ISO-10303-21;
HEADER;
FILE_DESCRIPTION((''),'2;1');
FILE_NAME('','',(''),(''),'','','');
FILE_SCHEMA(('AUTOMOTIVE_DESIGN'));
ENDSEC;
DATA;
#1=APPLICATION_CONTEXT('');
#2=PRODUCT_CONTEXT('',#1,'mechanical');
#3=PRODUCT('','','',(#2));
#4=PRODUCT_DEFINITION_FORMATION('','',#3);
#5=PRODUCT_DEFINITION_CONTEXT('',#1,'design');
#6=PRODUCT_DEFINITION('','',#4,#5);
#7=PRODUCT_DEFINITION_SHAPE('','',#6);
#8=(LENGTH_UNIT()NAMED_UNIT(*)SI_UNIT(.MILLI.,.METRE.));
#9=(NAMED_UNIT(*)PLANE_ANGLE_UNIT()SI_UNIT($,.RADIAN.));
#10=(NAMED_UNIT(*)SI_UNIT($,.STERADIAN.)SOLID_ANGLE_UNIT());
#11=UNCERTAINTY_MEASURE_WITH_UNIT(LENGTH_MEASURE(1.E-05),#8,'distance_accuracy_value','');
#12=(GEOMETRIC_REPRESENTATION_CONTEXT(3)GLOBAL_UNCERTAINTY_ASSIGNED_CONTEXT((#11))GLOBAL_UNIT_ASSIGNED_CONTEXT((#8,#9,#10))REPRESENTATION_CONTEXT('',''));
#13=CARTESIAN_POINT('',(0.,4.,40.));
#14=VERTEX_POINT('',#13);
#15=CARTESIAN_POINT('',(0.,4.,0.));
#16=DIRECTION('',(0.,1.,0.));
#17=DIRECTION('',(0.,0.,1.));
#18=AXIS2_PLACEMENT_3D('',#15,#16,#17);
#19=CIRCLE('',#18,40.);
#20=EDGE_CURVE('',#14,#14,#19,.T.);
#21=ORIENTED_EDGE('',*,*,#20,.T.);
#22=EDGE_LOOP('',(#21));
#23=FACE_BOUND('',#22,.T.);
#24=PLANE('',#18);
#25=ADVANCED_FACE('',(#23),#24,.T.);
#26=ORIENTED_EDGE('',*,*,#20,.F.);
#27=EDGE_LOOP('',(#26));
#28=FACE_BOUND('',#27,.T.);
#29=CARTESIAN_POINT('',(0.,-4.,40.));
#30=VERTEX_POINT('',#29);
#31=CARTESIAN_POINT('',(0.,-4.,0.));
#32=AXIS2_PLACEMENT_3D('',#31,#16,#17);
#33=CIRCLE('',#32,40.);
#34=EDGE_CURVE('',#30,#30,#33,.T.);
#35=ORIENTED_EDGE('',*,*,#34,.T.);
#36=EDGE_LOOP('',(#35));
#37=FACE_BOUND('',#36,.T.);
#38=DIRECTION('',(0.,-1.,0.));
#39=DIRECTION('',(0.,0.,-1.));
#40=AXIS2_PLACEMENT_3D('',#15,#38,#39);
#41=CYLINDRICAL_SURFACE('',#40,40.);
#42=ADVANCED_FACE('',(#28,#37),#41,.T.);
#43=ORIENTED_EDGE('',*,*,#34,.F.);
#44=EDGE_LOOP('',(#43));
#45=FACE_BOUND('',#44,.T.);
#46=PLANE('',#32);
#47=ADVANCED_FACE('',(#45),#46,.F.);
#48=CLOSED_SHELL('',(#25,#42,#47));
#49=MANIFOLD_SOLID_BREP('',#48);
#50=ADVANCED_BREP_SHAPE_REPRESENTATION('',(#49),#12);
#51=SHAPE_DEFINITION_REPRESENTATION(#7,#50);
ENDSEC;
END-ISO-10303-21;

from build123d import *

# Parameters (mm, degrees)
SKETCH1_R           = 40
BOSS_EXTRUDE1_DEPTH = 4


with BuildPart() as part:
    # Sketch1 → Boss-Extrude1 (new body, symmetric)
    with BuildSketch(Plane(origin=(0, 0, 0), x_dir=(1, 0, 0), z_dir=(0, 1, 0))):
        Circle(SKETCH1_R)
    extrude(amount=BOSS_EXTRUDE1_DEPTH, both=True)


solid = part.part
